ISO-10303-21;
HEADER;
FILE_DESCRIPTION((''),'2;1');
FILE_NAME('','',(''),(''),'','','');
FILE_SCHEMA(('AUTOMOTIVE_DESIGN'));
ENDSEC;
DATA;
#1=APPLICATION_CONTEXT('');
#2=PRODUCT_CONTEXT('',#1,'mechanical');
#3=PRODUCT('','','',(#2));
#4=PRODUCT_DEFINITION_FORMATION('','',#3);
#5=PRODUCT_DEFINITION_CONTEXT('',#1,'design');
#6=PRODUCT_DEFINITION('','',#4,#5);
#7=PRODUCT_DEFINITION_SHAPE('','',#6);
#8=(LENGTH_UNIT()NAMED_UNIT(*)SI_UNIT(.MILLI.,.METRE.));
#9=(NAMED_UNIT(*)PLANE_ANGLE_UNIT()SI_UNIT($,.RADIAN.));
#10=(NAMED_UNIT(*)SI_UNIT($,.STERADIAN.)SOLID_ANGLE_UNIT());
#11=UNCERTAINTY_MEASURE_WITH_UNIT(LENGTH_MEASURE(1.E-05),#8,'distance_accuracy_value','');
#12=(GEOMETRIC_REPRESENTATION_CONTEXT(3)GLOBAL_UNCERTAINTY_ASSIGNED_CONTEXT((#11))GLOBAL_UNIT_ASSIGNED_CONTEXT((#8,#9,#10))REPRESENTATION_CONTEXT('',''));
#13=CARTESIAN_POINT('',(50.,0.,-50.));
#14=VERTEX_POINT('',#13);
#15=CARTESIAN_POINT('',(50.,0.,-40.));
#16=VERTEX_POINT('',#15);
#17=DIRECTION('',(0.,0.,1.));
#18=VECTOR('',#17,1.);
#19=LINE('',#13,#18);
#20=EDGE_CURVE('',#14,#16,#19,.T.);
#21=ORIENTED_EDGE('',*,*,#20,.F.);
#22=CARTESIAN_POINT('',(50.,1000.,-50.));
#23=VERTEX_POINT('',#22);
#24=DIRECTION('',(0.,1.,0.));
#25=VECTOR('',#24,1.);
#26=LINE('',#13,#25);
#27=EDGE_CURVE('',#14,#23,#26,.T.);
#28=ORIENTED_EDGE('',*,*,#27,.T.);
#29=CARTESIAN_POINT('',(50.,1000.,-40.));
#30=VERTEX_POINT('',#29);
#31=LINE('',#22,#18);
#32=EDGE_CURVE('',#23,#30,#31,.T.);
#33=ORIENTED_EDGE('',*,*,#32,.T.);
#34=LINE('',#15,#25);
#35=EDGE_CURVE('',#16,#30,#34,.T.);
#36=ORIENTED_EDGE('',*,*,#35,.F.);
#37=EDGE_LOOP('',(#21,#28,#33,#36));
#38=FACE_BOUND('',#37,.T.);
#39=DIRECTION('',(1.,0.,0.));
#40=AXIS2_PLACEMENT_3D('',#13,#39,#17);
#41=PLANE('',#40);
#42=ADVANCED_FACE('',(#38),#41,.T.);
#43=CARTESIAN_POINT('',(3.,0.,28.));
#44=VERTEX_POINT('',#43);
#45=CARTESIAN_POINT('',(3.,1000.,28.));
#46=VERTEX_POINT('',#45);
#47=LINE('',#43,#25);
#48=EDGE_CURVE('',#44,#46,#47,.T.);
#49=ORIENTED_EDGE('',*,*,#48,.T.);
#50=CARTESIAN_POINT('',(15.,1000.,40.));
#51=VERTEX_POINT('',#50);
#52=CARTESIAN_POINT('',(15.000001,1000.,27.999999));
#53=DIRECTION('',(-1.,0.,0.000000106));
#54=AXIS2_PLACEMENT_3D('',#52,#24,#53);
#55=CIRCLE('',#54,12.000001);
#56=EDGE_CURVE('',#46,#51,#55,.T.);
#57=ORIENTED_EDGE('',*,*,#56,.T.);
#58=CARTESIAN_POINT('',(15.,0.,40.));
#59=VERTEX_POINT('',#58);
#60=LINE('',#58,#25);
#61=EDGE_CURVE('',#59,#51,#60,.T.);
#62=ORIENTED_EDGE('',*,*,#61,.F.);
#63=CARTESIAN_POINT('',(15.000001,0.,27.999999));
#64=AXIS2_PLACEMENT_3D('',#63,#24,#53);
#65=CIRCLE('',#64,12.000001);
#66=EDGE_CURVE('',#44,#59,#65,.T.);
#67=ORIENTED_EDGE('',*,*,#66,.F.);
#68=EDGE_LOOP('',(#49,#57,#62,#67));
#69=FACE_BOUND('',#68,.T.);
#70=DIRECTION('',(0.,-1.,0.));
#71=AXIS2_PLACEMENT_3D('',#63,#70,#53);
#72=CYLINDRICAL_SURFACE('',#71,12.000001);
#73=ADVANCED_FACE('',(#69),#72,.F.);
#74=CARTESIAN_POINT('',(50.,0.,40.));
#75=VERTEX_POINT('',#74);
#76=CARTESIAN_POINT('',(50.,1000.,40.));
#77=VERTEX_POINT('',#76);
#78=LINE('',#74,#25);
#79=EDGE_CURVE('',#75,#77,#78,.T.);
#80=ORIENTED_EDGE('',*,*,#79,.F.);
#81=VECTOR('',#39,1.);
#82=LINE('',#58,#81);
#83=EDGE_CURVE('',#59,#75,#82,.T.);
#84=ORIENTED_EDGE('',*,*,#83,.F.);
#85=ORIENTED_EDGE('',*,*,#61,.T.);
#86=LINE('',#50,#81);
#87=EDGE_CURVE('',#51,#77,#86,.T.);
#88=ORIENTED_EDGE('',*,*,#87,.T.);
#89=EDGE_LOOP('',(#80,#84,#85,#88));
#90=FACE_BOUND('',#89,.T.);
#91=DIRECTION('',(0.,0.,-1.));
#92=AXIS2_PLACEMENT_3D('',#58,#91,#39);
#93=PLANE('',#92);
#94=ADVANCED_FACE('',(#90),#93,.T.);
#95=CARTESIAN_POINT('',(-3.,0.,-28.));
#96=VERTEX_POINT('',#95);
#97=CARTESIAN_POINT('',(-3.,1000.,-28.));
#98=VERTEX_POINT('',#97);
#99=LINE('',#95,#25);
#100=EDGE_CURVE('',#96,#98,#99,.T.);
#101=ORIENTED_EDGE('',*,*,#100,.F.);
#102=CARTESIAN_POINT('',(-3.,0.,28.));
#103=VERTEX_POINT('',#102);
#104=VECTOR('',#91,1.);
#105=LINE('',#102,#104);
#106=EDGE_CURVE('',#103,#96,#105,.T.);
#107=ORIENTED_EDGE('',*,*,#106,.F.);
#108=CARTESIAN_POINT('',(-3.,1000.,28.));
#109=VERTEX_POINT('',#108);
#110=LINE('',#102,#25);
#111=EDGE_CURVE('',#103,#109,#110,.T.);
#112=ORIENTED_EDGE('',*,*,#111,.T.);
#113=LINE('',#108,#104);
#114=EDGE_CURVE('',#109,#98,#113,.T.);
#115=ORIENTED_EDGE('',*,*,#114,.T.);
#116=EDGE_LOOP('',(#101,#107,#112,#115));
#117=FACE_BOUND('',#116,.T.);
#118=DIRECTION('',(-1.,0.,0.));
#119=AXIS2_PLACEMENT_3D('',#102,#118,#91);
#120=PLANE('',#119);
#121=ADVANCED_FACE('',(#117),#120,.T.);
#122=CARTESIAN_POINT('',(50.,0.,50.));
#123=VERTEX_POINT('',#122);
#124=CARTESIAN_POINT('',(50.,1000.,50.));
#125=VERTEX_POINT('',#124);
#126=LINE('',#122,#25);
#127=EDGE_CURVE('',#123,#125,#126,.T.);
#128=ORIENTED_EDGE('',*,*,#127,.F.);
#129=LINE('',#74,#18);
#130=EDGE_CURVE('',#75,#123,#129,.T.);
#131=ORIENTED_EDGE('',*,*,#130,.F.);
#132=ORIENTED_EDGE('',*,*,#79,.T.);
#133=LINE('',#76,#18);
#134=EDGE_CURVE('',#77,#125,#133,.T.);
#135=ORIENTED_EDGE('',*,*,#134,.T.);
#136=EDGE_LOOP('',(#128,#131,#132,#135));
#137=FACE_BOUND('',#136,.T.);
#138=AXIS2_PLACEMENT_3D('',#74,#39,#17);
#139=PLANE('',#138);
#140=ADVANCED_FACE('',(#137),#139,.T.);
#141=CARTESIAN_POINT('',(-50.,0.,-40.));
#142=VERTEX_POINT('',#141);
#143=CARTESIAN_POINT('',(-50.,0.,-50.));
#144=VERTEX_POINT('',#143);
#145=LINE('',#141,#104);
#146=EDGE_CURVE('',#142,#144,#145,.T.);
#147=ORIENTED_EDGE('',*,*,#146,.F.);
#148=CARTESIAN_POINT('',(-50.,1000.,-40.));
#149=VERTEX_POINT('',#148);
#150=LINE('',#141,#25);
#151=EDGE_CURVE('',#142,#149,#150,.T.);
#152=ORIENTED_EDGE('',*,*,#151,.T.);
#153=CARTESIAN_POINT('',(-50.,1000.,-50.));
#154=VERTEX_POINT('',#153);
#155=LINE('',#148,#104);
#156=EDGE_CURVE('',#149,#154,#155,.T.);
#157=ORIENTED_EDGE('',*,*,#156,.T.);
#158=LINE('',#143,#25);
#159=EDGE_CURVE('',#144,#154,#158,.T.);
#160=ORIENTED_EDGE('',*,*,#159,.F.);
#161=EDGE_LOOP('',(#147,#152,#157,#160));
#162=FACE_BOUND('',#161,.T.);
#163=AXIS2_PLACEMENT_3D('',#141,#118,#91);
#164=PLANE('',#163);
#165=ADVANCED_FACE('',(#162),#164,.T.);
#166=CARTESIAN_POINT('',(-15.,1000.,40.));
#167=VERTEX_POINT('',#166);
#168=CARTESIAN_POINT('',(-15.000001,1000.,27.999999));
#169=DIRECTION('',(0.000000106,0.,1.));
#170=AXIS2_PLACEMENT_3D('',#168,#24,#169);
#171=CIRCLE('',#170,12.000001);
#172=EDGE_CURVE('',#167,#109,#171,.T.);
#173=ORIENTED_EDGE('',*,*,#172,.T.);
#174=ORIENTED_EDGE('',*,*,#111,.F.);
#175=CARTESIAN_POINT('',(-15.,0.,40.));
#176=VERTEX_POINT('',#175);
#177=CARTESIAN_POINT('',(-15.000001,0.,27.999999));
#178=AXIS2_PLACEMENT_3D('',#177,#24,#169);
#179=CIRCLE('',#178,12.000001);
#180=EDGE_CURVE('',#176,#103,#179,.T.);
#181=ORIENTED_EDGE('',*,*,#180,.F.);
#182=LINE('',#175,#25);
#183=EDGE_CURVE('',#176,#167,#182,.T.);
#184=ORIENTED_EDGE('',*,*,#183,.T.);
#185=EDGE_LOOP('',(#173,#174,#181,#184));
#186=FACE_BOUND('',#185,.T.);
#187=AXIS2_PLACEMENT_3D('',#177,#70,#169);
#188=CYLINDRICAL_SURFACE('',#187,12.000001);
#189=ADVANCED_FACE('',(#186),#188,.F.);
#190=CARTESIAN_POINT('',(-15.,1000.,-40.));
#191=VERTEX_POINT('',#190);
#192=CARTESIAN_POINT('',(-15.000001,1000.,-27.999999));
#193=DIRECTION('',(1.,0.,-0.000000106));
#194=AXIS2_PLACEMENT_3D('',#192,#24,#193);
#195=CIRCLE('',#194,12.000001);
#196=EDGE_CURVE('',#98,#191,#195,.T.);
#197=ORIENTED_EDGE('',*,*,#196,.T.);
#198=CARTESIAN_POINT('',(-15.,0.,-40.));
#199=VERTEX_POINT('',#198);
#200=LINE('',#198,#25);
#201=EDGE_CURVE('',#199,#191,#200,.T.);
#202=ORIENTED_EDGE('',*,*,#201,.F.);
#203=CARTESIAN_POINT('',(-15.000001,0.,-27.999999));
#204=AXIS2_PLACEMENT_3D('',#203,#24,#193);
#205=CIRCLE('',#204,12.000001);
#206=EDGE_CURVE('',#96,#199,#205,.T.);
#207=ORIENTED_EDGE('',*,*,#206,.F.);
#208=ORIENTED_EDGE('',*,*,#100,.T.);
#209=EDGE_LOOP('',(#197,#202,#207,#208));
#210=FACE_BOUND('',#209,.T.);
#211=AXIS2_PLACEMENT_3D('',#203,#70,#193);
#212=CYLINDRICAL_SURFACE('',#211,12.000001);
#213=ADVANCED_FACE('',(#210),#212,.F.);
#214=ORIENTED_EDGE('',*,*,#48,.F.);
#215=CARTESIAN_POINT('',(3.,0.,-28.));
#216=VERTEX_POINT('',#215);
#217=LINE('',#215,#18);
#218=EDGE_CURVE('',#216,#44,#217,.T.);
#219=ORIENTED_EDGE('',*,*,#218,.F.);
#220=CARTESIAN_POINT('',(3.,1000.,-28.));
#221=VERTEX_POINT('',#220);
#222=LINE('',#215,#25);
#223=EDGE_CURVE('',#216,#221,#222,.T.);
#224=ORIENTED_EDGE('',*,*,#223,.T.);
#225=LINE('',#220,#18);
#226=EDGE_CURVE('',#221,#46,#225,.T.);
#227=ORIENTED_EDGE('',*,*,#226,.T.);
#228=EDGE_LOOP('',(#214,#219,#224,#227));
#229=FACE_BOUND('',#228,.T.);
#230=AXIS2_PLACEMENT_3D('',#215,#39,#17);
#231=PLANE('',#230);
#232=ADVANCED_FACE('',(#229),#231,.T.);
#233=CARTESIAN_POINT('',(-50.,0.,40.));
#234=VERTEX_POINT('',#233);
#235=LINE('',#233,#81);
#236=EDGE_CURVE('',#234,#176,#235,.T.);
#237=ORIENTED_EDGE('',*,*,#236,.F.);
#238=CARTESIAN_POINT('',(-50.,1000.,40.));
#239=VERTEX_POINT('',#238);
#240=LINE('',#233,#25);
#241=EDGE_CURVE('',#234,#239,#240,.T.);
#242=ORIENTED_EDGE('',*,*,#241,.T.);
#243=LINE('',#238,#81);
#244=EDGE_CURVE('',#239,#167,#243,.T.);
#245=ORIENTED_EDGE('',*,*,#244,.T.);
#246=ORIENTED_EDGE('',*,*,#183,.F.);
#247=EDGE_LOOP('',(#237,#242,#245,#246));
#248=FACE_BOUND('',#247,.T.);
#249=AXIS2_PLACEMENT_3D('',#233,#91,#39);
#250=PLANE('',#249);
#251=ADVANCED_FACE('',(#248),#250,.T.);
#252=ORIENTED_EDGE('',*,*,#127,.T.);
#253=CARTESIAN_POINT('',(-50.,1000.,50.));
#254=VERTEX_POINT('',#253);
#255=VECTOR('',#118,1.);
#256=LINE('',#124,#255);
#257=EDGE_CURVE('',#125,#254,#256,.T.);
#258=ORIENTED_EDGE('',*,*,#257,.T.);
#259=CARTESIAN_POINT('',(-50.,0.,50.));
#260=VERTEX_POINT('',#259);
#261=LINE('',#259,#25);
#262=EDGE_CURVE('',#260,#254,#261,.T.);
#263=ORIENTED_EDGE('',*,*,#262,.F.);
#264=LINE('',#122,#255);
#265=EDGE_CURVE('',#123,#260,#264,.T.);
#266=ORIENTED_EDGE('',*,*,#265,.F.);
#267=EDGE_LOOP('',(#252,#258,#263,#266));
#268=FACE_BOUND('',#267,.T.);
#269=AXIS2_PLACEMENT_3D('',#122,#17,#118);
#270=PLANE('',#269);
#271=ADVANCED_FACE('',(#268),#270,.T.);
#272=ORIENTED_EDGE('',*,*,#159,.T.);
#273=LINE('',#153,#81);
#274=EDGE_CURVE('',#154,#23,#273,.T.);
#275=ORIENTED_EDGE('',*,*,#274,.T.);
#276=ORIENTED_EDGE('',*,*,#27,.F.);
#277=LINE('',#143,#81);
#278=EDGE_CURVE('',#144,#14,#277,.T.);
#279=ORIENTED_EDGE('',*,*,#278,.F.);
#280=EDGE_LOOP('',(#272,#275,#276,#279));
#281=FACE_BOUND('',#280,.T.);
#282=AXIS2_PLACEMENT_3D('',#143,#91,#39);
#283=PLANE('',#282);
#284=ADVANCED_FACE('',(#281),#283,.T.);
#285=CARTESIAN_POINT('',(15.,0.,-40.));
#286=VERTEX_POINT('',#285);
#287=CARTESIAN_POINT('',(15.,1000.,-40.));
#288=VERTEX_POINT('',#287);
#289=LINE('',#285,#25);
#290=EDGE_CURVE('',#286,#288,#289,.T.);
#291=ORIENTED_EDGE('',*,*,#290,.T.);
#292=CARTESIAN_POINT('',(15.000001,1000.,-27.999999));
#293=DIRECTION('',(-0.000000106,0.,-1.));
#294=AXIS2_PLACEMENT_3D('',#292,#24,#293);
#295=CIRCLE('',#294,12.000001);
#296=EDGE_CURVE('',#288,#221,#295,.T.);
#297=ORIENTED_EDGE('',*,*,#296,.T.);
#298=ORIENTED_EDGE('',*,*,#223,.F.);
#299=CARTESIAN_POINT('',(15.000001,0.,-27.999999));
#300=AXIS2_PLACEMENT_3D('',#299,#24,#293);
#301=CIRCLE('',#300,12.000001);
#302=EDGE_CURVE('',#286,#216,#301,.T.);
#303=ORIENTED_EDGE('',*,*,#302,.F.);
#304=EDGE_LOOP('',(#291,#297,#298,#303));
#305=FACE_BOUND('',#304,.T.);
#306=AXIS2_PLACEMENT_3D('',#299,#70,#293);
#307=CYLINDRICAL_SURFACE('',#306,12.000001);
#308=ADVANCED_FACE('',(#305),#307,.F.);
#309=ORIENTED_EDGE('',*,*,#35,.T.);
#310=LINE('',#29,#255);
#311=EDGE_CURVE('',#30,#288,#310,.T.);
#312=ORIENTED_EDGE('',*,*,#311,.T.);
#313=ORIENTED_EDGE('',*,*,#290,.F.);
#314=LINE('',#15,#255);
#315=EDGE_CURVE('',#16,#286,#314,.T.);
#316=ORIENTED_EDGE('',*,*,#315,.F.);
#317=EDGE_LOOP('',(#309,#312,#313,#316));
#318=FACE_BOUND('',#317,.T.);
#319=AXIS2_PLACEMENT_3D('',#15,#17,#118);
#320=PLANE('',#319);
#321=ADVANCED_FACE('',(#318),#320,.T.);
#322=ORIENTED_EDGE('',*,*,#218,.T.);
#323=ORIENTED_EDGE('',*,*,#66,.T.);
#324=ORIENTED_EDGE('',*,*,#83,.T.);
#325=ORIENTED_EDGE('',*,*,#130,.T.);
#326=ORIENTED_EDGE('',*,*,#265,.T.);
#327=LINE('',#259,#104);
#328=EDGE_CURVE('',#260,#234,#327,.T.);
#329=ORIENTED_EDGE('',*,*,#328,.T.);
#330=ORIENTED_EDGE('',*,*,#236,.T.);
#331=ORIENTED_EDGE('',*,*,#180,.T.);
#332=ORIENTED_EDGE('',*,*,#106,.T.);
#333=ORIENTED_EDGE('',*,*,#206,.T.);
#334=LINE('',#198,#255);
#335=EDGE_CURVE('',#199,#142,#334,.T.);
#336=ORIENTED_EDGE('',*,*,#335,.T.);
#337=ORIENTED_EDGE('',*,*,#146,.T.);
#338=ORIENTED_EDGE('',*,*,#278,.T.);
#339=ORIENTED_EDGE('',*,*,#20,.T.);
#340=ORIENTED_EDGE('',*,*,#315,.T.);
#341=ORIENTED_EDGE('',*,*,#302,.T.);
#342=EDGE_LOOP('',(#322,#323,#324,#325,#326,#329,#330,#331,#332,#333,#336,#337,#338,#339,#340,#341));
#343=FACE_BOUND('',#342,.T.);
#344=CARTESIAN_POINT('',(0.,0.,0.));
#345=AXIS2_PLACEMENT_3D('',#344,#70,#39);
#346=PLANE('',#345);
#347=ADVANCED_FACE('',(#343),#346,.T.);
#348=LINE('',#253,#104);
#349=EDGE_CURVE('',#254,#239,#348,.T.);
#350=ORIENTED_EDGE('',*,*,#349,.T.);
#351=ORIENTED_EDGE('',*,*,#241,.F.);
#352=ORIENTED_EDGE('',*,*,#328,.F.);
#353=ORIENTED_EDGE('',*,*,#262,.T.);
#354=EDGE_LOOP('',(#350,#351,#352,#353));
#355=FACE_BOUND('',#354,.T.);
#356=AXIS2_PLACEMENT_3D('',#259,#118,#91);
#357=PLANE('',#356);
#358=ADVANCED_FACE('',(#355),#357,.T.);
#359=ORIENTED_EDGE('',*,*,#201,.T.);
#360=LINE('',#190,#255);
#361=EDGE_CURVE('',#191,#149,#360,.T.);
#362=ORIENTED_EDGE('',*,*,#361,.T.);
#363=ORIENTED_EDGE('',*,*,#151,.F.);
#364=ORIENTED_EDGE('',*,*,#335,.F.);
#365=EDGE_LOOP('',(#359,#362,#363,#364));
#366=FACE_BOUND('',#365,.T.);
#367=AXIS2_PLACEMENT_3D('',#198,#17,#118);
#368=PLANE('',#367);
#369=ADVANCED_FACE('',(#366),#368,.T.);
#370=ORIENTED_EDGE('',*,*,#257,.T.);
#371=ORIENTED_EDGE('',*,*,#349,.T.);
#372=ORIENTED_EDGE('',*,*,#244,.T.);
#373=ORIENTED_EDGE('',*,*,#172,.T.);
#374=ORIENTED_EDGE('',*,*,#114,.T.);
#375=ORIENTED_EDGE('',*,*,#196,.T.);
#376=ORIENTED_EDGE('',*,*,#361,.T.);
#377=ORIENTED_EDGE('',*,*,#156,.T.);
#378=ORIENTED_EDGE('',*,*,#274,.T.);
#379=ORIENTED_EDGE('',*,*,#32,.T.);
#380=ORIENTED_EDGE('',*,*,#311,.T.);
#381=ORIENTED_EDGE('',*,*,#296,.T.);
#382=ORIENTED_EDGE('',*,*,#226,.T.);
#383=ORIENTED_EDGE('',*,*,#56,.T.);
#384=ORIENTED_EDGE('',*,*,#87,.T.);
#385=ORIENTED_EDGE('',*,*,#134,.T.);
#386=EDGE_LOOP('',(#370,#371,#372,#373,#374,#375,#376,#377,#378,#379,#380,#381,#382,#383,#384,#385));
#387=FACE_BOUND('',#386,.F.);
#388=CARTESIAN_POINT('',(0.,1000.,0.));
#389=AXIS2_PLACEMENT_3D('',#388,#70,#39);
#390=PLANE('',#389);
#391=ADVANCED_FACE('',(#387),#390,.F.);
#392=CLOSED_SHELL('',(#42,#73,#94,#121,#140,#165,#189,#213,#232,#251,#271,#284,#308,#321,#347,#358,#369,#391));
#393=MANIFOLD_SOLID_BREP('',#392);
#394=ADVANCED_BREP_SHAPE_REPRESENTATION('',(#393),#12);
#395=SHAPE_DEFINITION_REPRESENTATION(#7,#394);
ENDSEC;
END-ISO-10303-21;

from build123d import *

# Parameters (mm, degrees)
F1_DEPTH = 1000


with BuildPart() as f1:
    # F0 (on Front) → F1 (new body)
    with BuildSketch(Plane.XZ):
        with BuildLine():
            Line((50, -50), (50, -40))
            Line((50, -40), (15, -40))
            ThreePointArc((15, -40), (6.514719, -36.485281), (3, -28))
            Line((3, -28), (3, 0))
            Line((3, 0), (3, 28))
            ThreePointArc((3, 28), (6.514719, 36.485281), (15, 40))
            Line((15, 40), (50, 40))
            Line((50, 40), (50, 50))
            Line((50, 50), (0, 50))
            Line((0, 50), (-50, 50))
            Line((-50, 50), (-50, 40))
            Line((-50, 40), (-15, 40))
            ThreePointArc((-15, 40), (-6.514719, 36.485281), (-3, 28))
            Line((-3, 28), (-3, 0))
            Line((-3, 0), (-3, -28))
            ThreePointArc((-3, -28), (-6.514719, -36.485281), (-15, -40))
            Line((-15, -40), (-50, -40))
            Line((-50, -40), (-50, -50))
            Line((-50, -50), (0, -50))
            Line((0, -50), (50, -50))
        make_face()
    extrude(amount=-F1_DEPTH)


solid = f1.part
